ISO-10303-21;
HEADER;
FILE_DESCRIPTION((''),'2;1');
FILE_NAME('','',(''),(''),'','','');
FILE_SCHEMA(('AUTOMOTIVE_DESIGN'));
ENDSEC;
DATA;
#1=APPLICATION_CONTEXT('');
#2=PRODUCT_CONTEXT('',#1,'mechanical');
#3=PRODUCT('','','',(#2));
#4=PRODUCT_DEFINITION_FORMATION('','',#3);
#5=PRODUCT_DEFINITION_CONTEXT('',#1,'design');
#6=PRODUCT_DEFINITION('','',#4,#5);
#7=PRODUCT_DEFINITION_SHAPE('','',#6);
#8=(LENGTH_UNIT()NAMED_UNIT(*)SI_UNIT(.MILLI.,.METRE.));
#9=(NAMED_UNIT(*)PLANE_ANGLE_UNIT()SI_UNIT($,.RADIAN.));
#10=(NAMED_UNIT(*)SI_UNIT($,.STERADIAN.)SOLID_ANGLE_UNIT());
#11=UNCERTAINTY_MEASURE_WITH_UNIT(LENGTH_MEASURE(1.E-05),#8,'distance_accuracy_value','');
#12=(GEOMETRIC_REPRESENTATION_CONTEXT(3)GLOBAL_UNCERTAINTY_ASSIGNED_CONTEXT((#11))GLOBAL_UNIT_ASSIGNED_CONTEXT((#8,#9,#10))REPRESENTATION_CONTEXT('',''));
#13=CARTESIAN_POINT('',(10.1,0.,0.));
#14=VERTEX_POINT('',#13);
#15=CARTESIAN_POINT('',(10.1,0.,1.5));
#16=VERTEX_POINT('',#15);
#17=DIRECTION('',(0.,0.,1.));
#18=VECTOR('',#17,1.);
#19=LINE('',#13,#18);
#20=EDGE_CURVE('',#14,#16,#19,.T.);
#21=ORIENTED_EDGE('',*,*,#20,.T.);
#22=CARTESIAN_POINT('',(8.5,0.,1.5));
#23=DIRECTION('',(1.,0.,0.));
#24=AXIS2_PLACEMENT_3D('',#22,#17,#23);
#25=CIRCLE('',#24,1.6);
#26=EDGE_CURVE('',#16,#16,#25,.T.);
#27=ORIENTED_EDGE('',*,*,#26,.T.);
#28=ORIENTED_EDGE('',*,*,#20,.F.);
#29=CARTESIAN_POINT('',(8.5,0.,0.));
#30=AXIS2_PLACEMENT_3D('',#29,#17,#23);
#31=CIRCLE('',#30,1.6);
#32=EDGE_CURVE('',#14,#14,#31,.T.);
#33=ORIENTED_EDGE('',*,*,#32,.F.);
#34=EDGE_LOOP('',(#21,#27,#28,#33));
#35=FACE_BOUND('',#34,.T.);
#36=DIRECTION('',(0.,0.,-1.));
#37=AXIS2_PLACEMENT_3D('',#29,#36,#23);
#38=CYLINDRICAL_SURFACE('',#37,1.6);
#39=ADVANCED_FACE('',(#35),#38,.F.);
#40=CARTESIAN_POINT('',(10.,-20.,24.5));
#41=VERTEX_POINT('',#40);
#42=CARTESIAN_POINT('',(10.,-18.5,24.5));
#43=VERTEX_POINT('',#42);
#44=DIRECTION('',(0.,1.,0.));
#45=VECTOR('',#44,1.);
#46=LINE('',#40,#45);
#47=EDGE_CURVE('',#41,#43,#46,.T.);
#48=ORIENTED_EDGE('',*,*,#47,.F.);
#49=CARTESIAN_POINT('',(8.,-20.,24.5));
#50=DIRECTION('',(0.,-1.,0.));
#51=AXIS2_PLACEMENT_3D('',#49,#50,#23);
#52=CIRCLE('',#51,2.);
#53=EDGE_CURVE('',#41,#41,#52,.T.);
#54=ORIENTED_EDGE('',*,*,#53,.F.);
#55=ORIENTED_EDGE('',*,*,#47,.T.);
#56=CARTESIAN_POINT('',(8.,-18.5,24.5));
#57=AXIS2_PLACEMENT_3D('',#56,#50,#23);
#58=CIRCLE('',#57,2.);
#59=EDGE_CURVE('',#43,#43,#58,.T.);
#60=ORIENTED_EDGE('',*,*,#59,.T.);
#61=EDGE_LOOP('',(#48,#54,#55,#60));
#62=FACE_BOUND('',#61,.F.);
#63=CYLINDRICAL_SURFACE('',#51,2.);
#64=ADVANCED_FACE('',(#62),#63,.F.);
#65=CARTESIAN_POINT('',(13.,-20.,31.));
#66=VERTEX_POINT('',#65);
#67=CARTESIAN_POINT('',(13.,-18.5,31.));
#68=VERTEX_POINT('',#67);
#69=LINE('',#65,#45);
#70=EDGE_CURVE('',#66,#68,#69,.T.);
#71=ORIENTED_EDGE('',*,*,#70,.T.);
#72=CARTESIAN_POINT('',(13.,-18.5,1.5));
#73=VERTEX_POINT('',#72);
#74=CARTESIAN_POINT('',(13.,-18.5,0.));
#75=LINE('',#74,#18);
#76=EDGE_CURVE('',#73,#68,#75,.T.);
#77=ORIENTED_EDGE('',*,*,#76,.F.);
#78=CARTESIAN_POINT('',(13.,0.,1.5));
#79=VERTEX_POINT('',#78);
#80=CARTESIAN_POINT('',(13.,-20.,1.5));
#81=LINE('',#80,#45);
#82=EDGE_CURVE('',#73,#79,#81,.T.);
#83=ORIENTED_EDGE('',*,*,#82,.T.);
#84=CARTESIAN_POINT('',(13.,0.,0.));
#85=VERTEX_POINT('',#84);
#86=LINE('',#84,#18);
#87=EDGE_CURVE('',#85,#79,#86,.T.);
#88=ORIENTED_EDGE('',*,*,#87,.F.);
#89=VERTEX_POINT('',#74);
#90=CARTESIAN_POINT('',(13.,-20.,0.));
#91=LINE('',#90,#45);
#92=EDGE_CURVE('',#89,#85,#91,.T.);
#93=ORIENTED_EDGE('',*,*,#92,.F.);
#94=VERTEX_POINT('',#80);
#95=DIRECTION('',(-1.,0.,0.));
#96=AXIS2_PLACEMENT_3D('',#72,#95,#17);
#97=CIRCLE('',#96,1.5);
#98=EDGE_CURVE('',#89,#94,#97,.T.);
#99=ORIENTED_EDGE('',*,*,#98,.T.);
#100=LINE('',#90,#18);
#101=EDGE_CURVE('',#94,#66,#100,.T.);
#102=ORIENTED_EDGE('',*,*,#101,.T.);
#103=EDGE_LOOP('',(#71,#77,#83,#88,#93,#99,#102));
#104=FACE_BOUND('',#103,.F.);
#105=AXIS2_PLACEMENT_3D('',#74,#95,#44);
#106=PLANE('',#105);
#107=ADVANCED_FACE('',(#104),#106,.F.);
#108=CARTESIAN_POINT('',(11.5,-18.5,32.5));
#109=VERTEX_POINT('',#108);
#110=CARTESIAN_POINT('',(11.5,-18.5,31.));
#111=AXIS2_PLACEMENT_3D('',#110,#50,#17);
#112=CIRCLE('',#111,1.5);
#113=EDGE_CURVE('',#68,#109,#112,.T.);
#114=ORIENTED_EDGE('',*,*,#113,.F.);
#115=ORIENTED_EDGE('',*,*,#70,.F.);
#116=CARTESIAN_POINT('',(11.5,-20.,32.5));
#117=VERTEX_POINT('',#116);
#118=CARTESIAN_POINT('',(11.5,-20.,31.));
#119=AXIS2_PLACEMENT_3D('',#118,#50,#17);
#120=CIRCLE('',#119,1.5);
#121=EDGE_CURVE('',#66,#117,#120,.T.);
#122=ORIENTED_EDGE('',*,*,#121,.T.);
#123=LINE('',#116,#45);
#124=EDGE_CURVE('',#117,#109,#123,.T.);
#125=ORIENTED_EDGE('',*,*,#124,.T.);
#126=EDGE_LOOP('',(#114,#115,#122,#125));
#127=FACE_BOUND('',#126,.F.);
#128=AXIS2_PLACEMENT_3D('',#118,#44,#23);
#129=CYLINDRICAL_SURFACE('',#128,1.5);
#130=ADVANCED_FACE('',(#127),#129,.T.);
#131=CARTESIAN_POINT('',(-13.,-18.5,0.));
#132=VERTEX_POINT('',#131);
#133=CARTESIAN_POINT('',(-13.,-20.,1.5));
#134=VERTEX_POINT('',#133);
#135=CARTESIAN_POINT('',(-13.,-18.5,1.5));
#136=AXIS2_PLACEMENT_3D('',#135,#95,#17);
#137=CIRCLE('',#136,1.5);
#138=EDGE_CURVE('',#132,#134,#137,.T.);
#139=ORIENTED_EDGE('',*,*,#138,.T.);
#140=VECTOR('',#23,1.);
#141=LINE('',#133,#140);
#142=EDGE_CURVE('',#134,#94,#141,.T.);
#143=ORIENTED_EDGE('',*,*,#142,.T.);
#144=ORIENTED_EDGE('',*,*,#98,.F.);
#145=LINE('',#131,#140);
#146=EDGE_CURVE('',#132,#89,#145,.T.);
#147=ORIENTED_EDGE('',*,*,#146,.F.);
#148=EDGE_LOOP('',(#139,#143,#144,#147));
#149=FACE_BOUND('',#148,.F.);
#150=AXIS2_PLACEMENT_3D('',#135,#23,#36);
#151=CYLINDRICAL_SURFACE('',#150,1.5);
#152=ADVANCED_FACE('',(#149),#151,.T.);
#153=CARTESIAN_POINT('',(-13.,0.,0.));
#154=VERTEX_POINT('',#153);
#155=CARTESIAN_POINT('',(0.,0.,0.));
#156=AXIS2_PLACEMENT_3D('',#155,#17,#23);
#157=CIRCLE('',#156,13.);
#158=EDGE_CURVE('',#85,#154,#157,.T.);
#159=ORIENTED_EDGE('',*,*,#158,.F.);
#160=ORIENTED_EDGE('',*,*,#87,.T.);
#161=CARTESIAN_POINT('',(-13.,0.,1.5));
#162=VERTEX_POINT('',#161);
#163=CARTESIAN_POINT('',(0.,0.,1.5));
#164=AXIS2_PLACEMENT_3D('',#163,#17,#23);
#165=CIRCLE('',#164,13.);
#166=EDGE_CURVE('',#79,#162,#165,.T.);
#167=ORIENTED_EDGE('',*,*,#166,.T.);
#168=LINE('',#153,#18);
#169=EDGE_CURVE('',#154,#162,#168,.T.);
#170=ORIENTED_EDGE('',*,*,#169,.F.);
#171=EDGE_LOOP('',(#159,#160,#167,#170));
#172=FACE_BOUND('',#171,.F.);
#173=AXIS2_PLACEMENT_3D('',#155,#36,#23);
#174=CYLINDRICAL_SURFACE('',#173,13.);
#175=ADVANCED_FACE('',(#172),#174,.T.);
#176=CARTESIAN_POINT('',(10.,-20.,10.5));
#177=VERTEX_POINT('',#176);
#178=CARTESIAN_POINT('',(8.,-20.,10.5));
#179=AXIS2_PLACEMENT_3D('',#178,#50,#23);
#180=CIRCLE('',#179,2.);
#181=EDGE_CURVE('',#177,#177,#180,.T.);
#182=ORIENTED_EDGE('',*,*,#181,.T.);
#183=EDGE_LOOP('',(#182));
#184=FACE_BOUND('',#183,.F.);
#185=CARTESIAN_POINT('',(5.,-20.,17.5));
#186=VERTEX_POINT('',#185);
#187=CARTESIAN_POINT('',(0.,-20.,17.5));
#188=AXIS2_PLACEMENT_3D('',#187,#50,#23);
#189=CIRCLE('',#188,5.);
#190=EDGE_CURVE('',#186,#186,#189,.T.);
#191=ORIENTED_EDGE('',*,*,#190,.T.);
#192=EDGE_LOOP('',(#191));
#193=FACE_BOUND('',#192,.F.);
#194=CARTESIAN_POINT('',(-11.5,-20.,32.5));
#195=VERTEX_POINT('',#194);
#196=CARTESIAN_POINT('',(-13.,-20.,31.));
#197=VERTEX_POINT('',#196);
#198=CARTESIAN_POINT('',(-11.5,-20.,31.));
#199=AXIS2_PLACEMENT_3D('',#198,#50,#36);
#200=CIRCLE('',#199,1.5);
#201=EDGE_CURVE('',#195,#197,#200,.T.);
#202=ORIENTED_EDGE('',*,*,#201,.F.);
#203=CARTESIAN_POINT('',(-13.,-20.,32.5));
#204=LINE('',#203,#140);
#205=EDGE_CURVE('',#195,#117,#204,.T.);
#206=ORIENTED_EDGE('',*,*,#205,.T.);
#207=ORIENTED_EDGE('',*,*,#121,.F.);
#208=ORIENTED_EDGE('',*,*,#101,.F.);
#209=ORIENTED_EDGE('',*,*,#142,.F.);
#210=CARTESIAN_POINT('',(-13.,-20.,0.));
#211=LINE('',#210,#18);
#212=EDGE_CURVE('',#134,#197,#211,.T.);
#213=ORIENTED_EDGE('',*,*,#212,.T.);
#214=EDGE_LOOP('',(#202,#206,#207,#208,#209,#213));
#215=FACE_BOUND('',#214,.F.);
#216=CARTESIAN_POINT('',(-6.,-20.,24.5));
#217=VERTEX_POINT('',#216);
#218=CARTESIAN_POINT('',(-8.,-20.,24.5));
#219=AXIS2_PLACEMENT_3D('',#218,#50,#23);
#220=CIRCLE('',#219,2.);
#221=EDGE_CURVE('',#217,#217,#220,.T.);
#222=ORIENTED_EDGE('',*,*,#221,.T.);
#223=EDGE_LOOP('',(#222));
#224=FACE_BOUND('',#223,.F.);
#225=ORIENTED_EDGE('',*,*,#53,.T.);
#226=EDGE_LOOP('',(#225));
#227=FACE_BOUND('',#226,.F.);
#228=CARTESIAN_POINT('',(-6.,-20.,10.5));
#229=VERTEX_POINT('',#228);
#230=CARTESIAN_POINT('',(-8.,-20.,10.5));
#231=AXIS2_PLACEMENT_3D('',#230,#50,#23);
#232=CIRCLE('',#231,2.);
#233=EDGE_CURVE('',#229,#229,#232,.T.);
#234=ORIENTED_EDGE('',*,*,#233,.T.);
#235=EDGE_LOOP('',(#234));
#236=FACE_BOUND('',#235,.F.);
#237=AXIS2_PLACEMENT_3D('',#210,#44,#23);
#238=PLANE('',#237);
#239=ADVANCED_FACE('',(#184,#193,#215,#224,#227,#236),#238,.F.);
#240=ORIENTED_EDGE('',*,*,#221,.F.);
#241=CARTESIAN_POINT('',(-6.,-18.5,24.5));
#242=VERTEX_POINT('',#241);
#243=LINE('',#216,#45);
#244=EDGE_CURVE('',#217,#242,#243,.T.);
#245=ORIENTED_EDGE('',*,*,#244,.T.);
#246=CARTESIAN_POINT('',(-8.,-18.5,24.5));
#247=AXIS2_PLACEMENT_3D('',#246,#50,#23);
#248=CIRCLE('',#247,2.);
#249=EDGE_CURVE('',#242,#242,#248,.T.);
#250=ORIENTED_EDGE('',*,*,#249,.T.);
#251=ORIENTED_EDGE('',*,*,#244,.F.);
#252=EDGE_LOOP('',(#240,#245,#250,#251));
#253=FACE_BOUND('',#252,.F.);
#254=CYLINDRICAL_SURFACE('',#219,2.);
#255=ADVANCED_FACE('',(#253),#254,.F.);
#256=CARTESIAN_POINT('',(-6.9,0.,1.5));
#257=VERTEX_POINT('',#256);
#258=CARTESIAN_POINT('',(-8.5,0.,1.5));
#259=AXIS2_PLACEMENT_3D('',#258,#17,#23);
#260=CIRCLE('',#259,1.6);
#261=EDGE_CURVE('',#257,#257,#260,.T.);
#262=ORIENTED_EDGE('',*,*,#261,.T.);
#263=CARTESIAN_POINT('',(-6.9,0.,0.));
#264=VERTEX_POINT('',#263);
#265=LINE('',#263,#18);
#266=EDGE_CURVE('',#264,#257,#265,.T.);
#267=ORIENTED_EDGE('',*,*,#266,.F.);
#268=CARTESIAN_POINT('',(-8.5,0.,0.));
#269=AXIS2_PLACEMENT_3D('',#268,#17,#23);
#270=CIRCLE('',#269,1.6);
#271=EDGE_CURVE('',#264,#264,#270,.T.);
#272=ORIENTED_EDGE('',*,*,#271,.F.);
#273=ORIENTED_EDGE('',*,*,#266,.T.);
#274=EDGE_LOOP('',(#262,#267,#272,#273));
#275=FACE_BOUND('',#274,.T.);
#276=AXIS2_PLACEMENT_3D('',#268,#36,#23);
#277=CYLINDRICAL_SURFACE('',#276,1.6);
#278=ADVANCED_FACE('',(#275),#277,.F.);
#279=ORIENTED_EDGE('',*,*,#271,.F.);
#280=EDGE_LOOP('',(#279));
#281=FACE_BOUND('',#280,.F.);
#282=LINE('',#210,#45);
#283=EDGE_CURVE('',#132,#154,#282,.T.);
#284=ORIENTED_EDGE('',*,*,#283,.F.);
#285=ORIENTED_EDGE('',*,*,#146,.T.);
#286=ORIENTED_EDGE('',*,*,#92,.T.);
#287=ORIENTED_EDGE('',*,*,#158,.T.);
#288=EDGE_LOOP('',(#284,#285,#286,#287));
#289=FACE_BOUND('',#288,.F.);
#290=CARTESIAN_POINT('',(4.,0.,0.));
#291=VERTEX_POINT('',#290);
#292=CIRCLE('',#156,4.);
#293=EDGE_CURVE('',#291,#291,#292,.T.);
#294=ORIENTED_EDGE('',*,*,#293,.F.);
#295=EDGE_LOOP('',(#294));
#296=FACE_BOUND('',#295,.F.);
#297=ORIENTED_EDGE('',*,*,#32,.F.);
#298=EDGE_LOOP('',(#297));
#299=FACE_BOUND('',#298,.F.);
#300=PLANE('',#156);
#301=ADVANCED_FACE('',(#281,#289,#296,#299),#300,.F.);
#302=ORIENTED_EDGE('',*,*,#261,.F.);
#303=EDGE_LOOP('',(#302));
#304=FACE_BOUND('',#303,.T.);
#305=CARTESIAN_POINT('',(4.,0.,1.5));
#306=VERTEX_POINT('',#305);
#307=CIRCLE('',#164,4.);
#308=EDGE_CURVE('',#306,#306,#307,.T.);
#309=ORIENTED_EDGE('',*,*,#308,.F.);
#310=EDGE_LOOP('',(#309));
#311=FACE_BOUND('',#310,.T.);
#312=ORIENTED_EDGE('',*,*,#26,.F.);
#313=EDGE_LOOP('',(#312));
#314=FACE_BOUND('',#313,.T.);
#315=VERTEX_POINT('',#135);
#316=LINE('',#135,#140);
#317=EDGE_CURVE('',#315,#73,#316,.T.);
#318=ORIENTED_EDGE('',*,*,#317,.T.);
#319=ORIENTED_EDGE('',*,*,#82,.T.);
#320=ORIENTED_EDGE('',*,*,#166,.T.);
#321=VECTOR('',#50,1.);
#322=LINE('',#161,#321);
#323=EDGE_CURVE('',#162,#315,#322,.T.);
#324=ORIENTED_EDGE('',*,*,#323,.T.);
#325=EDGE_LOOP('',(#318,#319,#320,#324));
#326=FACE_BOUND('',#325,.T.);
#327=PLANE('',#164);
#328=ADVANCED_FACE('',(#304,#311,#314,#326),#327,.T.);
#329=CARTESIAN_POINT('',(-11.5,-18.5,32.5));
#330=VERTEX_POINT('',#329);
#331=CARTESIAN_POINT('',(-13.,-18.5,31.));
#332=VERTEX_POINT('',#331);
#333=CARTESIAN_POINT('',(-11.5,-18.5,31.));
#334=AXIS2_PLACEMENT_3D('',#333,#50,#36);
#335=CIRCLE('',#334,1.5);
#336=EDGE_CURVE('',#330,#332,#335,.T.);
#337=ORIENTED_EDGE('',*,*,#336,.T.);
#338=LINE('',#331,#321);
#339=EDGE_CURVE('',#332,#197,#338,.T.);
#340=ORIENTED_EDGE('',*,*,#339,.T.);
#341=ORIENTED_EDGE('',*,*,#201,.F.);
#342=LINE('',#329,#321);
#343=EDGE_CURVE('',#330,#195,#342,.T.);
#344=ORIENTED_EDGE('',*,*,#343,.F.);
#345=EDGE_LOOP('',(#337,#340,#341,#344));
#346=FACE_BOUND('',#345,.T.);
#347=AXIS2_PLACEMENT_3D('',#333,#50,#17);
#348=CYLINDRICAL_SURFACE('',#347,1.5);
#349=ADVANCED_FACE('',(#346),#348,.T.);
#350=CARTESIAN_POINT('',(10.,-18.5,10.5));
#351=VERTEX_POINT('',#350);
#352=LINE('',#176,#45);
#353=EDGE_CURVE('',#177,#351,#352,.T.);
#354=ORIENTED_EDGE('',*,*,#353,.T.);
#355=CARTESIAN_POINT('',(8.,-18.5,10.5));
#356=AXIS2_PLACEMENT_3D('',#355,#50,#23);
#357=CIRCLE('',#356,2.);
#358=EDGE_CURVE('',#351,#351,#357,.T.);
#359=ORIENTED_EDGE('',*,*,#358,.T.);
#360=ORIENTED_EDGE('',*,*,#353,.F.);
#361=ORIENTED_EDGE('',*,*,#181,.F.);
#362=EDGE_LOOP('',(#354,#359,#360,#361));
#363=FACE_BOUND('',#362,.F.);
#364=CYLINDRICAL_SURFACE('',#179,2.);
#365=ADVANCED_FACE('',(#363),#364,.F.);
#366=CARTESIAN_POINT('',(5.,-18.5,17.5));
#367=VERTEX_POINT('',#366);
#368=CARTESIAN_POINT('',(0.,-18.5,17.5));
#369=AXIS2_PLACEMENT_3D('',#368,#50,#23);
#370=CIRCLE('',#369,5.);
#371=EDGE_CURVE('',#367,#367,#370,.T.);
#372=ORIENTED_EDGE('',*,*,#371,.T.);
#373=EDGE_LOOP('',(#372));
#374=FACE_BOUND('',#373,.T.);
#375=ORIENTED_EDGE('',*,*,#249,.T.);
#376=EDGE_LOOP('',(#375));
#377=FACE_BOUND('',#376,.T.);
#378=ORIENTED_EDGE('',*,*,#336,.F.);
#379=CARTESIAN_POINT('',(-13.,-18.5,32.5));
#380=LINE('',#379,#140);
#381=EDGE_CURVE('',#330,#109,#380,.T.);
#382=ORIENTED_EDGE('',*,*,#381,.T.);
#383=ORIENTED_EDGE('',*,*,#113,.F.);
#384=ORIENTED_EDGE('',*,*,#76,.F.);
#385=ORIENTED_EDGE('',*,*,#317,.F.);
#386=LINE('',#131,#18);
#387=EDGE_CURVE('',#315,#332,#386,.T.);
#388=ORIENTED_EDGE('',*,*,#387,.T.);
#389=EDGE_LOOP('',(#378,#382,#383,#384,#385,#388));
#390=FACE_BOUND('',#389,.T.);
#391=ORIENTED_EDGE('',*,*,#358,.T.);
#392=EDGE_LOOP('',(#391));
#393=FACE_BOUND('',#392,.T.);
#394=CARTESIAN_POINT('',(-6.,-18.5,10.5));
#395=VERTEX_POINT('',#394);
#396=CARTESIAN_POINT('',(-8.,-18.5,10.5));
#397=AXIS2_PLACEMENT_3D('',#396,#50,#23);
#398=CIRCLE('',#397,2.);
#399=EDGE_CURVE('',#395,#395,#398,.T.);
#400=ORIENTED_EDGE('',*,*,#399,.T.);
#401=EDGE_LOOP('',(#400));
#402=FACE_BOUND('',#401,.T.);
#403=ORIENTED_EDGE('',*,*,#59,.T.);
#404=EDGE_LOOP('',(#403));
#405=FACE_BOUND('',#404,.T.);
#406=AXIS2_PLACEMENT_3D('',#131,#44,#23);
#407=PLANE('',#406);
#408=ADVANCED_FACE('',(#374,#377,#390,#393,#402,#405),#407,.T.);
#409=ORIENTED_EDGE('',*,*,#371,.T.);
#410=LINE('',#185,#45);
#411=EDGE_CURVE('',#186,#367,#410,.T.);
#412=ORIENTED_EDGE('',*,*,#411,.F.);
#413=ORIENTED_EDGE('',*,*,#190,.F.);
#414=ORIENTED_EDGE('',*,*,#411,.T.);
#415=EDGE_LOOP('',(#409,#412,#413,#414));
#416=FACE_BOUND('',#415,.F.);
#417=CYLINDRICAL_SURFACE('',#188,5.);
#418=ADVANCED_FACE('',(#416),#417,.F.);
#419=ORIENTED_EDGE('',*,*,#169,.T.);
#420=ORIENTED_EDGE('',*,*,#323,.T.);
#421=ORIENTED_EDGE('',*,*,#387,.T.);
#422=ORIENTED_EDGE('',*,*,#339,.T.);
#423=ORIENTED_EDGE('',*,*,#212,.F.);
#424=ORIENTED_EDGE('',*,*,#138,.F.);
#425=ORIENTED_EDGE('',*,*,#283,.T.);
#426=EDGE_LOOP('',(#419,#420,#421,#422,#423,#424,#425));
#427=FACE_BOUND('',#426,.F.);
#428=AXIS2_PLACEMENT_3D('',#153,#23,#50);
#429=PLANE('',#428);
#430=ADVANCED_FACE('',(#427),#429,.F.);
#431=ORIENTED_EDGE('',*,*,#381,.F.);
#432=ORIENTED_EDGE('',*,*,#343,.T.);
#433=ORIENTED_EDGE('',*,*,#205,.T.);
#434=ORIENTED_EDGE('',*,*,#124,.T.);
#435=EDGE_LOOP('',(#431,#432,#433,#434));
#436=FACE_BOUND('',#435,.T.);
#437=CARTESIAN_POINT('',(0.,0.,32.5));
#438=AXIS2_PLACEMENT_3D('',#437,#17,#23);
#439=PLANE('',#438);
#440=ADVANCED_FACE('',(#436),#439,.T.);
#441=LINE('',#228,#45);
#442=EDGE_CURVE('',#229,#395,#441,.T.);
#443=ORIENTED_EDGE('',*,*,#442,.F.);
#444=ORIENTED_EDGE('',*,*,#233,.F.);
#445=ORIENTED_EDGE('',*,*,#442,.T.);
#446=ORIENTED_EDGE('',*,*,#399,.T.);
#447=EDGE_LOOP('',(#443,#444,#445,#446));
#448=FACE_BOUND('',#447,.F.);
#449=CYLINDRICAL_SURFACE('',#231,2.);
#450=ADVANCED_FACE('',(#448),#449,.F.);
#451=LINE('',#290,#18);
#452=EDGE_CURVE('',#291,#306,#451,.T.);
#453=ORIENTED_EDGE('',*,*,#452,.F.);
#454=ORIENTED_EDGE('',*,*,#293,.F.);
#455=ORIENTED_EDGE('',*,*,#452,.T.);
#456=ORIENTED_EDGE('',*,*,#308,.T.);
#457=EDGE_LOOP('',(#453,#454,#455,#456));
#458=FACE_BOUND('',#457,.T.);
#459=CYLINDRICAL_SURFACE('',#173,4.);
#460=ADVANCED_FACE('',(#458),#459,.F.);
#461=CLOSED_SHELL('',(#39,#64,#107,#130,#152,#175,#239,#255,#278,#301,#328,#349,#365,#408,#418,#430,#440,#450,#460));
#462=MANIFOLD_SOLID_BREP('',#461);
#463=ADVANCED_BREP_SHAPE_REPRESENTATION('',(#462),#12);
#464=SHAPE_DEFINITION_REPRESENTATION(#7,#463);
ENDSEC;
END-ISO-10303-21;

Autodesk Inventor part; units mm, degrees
ref_plane "YZ Plane" through (0, 0, 0) normal (1, 0, 0) x (0, 1, 0)
ref_plane "XZ Plane" through (0, 0, 0) normal (0, 1, 0) x (-1, 0, 0)
ref_plane "XY Plane" through (0, 0, 0) normal (0, 0, 1) x (1, 0, 0)
sketch "Sketch1" plane through (0, 0, 0) normal (0, 0, 1) x (1, 0, 0)
  arc A0 (13, 0) -> (-13, 0) centre (0, 0) ccw
  circle A1 centre (0, 0) radius 4
  line L0 (0, 13) -> (0, -20) construction
  line L1 (-13, 0) -> (-13, -20)
  line L2 (-13, -20) -> (13, -20)
  line L3 (13, -20) -> (13, 0)
  circle A2 centre (8.5, 0) radius 1.6
  circle A3 centre (-8.5, 0) radius 1.6
  line L4 (-13, -18.5) -> (13, -18.5)
  dimension "d1" = 13
  dimension "d2" = 33
  dimension "d3" = 3.2
  dimension "d4" = 8.5
  dimension "d5" = 8
  dimension "d6" = 1.5
extrude "Extrusion1" add sketch "Sketch1" along normal blind 1.5 contours L3 L4 L1 A0
extrude "Extrusion2" add sketch "Sketch1" along normal blind 32.5 contours L3 L2 L1 L4
fillet "Fillet1" radius 1.5 3 edges at (-13, -19.25, 32.5) (13, -19.25, 32.5) (0, -20, 0)
sketch "Sketch2" plane through (-13, -20, 1.5) normal (0, -1, 0) x (1, 0, 0)
  line L0 (26, 0) -> (0, 0) projected
  line L1 (0, 0) -> (0, 29.5) projected
  line L2 (24.5, 31) -> (1.5, 31) projected
  line L3 (13, 31) -> (13, 0) construction
  circle A0 centre (13, 16) radius 5
  circle A1 centre (21, 23) radius 2
  line L4 (21, 23) -> (21, 9) construction
  circle A2 centre (21, 9) radius 2
  circle A3 centre (5, 23) radius 2
  circle A4 centre (5, 9) radius 2
  line L5 (26, 0) -> (26, 29.5) projected
  point P0 (13, -1.5)
  dimension "d20" = 10
  dimension "d21" = 15
  dimension "d22" = 4
  dimension "d23" = 8
  dimension "d24" = 14
  dimension "d25" = 4
  dimension "d26" = 7
  dimension "d27" = 8
  dimension "d28" = 5
extrude "Extrusion3" cut sketch "Sketch2" against normal through all
properties part number "WH-Bracket-JGA25A"
